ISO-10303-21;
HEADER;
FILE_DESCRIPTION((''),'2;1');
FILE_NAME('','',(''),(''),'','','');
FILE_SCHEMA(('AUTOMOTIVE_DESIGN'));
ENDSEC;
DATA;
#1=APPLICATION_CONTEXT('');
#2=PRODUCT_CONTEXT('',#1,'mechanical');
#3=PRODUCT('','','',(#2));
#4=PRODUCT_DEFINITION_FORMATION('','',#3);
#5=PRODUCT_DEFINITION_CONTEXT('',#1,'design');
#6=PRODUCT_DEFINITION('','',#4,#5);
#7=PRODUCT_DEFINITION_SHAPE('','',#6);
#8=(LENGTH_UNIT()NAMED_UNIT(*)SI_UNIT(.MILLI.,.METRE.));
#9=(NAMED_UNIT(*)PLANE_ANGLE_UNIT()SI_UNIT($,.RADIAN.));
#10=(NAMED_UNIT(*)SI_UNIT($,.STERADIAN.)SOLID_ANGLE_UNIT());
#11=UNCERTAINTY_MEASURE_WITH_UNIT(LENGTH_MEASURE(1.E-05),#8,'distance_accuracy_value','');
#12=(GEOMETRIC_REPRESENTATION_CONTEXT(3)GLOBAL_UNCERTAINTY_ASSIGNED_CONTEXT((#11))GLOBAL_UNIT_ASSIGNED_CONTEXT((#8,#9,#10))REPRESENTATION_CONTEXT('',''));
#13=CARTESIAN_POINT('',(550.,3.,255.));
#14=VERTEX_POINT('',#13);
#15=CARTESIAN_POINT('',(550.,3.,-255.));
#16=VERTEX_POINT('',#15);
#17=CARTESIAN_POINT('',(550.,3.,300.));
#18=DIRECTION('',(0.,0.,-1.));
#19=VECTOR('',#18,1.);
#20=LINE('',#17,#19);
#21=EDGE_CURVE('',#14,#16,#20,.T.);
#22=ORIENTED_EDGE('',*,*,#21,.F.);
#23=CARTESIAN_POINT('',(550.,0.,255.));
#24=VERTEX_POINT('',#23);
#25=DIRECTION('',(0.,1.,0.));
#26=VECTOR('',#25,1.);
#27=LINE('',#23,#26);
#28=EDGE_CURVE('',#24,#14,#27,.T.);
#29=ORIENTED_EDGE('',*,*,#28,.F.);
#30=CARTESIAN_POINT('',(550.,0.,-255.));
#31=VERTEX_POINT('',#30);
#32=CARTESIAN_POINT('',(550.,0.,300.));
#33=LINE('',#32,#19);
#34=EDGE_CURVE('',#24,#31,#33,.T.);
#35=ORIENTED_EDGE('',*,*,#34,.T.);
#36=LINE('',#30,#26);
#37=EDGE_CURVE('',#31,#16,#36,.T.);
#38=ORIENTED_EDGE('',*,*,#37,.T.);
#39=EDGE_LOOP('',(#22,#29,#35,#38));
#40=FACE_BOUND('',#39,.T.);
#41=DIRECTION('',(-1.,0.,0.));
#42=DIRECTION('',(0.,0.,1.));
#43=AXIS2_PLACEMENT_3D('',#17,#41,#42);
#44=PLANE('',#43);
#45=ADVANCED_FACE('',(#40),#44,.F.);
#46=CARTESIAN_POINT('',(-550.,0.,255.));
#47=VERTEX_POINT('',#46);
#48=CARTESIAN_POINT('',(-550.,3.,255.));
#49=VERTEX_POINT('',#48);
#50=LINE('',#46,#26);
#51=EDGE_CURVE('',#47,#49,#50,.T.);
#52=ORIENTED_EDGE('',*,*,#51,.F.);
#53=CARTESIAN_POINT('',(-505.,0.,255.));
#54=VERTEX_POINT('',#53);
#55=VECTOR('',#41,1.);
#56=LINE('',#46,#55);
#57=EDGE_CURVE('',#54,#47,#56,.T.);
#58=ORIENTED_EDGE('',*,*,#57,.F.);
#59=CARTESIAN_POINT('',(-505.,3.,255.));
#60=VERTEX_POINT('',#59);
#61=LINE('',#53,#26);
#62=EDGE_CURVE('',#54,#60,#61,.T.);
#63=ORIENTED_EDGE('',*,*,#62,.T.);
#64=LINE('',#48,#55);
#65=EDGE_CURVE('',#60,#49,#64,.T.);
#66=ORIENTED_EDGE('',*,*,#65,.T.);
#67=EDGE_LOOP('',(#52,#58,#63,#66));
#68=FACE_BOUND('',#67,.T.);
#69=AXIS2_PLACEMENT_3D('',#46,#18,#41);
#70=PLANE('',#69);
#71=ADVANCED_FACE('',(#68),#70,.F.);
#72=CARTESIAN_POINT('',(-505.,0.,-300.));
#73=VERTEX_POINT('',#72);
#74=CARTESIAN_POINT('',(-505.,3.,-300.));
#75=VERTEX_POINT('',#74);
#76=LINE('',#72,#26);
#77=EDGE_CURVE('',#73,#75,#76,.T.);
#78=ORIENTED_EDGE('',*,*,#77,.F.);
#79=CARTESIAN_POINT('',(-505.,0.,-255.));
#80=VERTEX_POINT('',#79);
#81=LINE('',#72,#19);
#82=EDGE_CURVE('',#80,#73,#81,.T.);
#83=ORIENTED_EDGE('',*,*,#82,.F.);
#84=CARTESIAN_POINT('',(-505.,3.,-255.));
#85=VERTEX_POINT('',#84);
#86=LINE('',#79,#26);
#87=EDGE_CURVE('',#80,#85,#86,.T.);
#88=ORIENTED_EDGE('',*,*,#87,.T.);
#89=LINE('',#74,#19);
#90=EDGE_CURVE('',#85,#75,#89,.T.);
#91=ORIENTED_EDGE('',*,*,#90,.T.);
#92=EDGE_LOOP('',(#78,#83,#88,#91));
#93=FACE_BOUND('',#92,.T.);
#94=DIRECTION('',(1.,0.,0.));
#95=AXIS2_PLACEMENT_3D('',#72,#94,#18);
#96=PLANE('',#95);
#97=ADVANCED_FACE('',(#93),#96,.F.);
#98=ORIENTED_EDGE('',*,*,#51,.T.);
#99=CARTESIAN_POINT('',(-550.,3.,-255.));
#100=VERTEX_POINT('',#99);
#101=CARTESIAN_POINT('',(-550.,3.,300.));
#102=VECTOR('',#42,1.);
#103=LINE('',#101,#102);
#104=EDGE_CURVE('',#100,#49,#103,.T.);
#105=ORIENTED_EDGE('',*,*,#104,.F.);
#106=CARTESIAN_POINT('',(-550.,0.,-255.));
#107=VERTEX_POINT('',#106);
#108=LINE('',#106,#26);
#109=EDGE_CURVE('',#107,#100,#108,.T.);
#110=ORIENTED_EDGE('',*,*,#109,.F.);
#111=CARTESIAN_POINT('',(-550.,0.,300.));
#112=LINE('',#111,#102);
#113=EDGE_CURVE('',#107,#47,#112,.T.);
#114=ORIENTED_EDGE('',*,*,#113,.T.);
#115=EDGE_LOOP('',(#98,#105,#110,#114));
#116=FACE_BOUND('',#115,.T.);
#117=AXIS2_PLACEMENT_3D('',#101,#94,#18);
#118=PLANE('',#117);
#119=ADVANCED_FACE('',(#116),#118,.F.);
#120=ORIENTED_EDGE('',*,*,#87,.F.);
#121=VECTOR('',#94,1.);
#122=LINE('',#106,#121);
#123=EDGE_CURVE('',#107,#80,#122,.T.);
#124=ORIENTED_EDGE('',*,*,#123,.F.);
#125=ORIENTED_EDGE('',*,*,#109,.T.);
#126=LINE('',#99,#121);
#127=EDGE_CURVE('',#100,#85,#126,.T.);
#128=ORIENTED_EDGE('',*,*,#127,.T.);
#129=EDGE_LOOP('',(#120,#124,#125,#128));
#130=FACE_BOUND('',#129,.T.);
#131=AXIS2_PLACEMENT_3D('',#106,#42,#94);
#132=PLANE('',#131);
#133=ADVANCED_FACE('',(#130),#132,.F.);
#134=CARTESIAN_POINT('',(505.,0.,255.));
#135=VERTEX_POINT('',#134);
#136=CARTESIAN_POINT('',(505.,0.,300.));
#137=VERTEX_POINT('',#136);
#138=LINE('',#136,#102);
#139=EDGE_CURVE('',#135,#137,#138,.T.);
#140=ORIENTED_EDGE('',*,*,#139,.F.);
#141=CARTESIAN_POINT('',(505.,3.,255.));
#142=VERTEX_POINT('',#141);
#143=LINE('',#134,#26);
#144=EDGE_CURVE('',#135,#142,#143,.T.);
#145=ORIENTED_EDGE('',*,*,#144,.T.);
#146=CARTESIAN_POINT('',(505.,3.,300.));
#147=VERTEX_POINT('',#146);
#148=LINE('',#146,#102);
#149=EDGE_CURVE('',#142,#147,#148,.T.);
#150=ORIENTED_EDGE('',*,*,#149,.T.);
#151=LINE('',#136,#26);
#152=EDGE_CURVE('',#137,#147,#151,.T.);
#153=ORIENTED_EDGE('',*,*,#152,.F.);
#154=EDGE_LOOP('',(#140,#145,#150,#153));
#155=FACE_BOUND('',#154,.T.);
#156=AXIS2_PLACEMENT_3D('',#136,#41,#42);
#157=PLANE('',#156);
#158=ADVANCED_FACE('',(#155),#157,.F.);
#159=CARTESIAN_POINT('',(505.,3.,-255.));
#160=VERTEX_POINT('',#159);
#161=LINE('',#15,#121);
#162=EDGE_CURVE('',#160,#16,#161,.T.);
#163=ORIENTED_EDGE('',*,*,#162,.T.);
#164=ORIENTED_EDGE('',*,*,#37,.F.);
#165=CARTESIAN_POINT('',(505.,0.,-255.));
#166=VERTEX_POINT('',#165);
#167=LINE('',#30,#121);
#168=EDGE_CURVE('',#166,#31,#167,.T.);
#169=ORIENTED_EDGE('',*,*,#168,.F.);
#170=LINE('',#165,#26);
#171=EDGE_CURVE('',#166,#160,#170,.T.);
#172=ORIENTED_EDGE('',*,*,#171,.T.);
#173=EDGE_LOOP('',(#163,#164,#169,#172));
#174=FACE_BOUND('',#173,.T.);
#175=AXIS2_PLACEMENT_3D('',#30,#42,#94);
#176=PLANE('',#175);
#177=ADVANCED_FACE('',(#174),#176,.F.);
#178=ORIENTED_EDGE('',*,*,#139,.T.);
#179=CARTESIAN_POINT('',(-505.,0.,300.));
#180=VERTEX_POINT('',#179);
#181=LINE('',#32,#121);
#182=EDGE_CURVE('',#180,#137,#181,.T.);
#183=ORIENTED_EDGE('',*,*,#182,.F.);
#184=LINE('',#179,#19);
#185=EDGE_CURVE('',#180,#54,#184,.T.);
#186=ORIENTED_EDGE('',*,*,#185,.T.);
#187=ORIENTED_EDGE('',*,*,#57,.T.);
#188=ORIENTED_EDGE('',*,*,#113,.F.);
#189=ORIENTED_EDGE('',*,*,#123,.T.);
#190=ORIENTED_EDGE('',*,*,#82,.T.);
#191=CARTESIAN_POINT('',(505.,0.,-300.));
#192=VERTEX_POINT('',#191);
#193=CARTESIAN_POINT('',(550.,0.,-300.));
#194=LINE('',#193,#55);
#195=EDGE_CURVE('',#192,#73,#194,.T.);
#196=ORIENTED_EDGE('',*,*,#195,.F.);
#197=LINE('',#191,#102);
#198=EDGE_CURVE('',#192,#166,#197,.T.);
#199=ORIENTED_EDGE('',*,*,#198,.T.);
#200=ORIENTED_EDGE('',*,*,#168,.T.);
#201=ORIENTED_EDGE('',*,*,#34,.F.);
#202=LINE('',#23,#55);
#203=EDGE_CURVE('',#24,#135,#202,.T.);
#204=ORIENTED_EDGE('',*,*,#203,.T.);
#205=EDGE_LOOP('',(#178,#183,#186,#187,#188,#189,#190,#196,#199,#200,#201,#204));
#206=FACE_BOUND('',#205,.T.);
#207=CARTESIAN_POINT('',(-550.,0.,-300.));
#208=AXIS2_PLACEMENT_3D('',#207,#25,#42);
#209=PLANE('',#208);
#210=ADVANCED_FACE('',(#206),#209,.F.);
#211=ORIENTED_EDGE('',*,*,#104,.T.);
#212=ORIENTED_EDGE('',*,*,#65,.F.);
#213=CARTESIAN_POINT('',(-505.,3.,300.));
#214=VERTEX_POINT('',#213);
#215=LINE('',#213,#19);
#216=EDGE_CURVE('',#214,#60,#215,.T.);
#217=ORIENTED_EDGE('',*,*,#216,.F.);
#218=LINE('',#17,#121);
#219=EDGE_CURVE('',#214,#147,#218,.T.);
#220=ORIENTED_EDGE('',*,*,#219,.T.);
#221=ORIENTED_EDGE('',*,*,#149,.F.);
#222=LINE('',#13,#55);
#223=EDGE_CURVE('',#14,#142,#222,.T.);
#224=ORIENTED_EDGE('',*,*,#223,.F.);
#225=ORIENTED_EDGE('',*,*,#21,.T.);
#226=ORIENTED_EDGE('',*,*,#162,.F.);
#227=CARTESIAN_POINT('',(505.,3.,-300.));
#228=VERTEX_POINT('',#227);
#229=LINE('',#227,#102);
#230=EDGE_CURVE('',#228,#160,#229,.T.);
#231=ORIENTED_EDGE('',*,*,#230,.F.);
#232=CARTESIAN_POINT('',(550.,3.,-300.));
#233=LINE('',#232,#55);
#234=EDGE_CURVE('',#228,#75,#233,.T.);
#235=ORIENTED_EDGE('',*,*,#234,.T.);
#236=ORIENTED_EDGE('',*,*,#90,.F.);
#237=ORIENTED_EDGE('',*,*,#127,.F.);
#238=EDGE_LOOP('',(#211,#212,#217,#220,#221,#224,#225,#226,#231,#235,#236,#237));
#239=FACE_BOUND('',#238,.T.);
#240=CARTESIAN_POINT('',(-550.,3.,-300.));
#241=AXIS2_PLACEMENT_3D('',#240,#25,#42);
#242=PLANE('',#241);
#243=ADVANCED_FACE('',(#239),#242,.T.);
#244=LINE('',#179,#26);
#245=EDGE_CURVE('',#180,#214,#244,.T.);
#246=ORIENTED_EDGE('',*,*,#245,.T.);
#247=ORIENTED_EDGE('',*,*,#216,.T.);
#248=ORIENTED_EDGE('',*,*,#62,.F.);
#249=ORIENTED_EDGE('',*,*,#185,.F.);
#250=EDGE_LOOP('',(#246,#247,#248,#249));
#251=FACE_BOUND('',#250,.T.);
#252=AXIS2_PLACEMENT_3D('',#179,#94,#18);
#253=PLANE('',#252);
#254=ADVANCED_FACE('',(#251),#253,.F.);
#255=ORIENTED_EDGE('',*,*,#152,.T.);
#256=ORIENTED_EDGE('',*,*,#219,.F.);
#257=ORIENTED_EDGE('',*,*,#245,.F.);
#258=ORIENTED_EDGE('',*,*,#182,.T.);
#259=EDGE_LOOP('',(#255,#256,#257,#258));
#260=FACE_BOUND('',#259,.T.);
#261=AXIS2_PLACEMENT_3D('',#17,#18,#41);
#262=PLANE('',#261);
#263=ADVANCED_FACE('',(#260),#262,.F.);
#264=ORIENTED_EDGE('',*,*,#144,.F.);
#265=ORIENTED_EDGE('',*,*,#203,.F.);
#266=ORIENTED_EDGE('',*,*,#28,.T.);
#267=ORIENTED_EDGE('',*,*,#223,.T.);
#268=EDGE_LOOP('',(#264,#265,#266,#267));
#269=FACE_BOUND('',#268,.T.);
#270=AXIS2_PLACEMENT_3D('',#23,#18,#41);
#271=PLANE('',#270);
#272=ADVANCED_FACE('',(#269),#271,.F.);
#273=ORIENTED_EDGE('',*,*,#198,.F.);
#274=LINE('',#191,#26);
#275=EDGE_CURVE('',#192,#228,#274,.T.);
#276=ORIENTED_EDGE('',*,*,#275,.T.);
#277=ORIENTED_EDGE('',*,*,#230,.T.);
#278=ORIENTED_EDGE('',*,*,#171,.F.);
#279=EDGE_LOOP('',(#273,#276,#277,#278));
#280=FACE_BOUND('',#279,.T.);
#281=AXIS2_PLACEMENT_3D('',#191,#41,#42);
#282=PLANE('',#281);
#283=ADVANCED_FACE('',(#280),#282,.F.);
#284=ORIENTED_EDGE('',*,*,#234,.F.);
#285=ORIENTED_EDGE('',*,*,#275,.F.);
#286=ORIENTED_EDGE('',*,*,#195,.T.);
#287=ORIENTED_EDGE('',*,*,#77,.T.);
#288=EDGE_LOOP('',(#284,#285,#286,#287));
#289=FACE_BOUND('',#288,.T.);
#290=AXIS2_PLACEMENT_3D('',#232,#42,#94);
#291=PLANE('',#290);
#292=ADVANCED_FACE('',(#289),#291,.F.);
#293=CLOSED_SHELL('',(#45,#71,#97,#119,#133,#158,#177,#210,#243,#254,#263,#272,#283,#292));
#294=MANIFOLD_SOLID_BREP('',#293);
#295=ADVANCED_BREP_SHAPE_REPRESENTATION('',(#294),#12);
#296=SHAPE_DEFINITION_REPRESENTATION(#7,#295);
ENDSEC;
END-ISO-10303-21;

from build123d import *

# Parameters (mm, degrees)
CROQUIS1_W     = 1100
CROQUIS1_H     = 600
EXTRUIR1_DEPTH = 3
CROQUIS2_W     = 45
CROQUIS2_H     = 45
EXTRUIR2_DEPTH = 3


with BuildPart() as part:
    # Croquis1 → Extruir1 (new body)
    with BuildSketch(Plane(origin=(0, 0, 0), x_dir=(1, 0, 0), z_dir=(0, 1, 0))):
        Rectangle(CROQUIS1_W, CROQUIS1_H)
    extrude(amount=EXTRUIR1_DEPTH)

    # Croquis2 → Extruir2 (cut)
    with BuildSketch(Plane(origin=(0, 3, 0), x_dir=(1, 0, 0), z_dir=(0, 1, 0))):
        with Locations((-527.5, 277.5)):
            Rectangle(CROQUIS2_W, CROQUIS2_H)
        with Locations((527.5, 277.5)):
            Rectangle(CROQUIS2_W, CROQUIS2_H)
        with Locations((-527.5, -277.5)):
            Rectangle(CROQUIS2_W, CROQUIS2_H)
        with Locations((527.5, -277.5)):
            Rectangle(CROQUIS2_W, CROQUIS2_H)
    extrude(amount=-EXTRUIR2_DEPTH, mode=Mode.SUBTRACT)


solid = part.part
